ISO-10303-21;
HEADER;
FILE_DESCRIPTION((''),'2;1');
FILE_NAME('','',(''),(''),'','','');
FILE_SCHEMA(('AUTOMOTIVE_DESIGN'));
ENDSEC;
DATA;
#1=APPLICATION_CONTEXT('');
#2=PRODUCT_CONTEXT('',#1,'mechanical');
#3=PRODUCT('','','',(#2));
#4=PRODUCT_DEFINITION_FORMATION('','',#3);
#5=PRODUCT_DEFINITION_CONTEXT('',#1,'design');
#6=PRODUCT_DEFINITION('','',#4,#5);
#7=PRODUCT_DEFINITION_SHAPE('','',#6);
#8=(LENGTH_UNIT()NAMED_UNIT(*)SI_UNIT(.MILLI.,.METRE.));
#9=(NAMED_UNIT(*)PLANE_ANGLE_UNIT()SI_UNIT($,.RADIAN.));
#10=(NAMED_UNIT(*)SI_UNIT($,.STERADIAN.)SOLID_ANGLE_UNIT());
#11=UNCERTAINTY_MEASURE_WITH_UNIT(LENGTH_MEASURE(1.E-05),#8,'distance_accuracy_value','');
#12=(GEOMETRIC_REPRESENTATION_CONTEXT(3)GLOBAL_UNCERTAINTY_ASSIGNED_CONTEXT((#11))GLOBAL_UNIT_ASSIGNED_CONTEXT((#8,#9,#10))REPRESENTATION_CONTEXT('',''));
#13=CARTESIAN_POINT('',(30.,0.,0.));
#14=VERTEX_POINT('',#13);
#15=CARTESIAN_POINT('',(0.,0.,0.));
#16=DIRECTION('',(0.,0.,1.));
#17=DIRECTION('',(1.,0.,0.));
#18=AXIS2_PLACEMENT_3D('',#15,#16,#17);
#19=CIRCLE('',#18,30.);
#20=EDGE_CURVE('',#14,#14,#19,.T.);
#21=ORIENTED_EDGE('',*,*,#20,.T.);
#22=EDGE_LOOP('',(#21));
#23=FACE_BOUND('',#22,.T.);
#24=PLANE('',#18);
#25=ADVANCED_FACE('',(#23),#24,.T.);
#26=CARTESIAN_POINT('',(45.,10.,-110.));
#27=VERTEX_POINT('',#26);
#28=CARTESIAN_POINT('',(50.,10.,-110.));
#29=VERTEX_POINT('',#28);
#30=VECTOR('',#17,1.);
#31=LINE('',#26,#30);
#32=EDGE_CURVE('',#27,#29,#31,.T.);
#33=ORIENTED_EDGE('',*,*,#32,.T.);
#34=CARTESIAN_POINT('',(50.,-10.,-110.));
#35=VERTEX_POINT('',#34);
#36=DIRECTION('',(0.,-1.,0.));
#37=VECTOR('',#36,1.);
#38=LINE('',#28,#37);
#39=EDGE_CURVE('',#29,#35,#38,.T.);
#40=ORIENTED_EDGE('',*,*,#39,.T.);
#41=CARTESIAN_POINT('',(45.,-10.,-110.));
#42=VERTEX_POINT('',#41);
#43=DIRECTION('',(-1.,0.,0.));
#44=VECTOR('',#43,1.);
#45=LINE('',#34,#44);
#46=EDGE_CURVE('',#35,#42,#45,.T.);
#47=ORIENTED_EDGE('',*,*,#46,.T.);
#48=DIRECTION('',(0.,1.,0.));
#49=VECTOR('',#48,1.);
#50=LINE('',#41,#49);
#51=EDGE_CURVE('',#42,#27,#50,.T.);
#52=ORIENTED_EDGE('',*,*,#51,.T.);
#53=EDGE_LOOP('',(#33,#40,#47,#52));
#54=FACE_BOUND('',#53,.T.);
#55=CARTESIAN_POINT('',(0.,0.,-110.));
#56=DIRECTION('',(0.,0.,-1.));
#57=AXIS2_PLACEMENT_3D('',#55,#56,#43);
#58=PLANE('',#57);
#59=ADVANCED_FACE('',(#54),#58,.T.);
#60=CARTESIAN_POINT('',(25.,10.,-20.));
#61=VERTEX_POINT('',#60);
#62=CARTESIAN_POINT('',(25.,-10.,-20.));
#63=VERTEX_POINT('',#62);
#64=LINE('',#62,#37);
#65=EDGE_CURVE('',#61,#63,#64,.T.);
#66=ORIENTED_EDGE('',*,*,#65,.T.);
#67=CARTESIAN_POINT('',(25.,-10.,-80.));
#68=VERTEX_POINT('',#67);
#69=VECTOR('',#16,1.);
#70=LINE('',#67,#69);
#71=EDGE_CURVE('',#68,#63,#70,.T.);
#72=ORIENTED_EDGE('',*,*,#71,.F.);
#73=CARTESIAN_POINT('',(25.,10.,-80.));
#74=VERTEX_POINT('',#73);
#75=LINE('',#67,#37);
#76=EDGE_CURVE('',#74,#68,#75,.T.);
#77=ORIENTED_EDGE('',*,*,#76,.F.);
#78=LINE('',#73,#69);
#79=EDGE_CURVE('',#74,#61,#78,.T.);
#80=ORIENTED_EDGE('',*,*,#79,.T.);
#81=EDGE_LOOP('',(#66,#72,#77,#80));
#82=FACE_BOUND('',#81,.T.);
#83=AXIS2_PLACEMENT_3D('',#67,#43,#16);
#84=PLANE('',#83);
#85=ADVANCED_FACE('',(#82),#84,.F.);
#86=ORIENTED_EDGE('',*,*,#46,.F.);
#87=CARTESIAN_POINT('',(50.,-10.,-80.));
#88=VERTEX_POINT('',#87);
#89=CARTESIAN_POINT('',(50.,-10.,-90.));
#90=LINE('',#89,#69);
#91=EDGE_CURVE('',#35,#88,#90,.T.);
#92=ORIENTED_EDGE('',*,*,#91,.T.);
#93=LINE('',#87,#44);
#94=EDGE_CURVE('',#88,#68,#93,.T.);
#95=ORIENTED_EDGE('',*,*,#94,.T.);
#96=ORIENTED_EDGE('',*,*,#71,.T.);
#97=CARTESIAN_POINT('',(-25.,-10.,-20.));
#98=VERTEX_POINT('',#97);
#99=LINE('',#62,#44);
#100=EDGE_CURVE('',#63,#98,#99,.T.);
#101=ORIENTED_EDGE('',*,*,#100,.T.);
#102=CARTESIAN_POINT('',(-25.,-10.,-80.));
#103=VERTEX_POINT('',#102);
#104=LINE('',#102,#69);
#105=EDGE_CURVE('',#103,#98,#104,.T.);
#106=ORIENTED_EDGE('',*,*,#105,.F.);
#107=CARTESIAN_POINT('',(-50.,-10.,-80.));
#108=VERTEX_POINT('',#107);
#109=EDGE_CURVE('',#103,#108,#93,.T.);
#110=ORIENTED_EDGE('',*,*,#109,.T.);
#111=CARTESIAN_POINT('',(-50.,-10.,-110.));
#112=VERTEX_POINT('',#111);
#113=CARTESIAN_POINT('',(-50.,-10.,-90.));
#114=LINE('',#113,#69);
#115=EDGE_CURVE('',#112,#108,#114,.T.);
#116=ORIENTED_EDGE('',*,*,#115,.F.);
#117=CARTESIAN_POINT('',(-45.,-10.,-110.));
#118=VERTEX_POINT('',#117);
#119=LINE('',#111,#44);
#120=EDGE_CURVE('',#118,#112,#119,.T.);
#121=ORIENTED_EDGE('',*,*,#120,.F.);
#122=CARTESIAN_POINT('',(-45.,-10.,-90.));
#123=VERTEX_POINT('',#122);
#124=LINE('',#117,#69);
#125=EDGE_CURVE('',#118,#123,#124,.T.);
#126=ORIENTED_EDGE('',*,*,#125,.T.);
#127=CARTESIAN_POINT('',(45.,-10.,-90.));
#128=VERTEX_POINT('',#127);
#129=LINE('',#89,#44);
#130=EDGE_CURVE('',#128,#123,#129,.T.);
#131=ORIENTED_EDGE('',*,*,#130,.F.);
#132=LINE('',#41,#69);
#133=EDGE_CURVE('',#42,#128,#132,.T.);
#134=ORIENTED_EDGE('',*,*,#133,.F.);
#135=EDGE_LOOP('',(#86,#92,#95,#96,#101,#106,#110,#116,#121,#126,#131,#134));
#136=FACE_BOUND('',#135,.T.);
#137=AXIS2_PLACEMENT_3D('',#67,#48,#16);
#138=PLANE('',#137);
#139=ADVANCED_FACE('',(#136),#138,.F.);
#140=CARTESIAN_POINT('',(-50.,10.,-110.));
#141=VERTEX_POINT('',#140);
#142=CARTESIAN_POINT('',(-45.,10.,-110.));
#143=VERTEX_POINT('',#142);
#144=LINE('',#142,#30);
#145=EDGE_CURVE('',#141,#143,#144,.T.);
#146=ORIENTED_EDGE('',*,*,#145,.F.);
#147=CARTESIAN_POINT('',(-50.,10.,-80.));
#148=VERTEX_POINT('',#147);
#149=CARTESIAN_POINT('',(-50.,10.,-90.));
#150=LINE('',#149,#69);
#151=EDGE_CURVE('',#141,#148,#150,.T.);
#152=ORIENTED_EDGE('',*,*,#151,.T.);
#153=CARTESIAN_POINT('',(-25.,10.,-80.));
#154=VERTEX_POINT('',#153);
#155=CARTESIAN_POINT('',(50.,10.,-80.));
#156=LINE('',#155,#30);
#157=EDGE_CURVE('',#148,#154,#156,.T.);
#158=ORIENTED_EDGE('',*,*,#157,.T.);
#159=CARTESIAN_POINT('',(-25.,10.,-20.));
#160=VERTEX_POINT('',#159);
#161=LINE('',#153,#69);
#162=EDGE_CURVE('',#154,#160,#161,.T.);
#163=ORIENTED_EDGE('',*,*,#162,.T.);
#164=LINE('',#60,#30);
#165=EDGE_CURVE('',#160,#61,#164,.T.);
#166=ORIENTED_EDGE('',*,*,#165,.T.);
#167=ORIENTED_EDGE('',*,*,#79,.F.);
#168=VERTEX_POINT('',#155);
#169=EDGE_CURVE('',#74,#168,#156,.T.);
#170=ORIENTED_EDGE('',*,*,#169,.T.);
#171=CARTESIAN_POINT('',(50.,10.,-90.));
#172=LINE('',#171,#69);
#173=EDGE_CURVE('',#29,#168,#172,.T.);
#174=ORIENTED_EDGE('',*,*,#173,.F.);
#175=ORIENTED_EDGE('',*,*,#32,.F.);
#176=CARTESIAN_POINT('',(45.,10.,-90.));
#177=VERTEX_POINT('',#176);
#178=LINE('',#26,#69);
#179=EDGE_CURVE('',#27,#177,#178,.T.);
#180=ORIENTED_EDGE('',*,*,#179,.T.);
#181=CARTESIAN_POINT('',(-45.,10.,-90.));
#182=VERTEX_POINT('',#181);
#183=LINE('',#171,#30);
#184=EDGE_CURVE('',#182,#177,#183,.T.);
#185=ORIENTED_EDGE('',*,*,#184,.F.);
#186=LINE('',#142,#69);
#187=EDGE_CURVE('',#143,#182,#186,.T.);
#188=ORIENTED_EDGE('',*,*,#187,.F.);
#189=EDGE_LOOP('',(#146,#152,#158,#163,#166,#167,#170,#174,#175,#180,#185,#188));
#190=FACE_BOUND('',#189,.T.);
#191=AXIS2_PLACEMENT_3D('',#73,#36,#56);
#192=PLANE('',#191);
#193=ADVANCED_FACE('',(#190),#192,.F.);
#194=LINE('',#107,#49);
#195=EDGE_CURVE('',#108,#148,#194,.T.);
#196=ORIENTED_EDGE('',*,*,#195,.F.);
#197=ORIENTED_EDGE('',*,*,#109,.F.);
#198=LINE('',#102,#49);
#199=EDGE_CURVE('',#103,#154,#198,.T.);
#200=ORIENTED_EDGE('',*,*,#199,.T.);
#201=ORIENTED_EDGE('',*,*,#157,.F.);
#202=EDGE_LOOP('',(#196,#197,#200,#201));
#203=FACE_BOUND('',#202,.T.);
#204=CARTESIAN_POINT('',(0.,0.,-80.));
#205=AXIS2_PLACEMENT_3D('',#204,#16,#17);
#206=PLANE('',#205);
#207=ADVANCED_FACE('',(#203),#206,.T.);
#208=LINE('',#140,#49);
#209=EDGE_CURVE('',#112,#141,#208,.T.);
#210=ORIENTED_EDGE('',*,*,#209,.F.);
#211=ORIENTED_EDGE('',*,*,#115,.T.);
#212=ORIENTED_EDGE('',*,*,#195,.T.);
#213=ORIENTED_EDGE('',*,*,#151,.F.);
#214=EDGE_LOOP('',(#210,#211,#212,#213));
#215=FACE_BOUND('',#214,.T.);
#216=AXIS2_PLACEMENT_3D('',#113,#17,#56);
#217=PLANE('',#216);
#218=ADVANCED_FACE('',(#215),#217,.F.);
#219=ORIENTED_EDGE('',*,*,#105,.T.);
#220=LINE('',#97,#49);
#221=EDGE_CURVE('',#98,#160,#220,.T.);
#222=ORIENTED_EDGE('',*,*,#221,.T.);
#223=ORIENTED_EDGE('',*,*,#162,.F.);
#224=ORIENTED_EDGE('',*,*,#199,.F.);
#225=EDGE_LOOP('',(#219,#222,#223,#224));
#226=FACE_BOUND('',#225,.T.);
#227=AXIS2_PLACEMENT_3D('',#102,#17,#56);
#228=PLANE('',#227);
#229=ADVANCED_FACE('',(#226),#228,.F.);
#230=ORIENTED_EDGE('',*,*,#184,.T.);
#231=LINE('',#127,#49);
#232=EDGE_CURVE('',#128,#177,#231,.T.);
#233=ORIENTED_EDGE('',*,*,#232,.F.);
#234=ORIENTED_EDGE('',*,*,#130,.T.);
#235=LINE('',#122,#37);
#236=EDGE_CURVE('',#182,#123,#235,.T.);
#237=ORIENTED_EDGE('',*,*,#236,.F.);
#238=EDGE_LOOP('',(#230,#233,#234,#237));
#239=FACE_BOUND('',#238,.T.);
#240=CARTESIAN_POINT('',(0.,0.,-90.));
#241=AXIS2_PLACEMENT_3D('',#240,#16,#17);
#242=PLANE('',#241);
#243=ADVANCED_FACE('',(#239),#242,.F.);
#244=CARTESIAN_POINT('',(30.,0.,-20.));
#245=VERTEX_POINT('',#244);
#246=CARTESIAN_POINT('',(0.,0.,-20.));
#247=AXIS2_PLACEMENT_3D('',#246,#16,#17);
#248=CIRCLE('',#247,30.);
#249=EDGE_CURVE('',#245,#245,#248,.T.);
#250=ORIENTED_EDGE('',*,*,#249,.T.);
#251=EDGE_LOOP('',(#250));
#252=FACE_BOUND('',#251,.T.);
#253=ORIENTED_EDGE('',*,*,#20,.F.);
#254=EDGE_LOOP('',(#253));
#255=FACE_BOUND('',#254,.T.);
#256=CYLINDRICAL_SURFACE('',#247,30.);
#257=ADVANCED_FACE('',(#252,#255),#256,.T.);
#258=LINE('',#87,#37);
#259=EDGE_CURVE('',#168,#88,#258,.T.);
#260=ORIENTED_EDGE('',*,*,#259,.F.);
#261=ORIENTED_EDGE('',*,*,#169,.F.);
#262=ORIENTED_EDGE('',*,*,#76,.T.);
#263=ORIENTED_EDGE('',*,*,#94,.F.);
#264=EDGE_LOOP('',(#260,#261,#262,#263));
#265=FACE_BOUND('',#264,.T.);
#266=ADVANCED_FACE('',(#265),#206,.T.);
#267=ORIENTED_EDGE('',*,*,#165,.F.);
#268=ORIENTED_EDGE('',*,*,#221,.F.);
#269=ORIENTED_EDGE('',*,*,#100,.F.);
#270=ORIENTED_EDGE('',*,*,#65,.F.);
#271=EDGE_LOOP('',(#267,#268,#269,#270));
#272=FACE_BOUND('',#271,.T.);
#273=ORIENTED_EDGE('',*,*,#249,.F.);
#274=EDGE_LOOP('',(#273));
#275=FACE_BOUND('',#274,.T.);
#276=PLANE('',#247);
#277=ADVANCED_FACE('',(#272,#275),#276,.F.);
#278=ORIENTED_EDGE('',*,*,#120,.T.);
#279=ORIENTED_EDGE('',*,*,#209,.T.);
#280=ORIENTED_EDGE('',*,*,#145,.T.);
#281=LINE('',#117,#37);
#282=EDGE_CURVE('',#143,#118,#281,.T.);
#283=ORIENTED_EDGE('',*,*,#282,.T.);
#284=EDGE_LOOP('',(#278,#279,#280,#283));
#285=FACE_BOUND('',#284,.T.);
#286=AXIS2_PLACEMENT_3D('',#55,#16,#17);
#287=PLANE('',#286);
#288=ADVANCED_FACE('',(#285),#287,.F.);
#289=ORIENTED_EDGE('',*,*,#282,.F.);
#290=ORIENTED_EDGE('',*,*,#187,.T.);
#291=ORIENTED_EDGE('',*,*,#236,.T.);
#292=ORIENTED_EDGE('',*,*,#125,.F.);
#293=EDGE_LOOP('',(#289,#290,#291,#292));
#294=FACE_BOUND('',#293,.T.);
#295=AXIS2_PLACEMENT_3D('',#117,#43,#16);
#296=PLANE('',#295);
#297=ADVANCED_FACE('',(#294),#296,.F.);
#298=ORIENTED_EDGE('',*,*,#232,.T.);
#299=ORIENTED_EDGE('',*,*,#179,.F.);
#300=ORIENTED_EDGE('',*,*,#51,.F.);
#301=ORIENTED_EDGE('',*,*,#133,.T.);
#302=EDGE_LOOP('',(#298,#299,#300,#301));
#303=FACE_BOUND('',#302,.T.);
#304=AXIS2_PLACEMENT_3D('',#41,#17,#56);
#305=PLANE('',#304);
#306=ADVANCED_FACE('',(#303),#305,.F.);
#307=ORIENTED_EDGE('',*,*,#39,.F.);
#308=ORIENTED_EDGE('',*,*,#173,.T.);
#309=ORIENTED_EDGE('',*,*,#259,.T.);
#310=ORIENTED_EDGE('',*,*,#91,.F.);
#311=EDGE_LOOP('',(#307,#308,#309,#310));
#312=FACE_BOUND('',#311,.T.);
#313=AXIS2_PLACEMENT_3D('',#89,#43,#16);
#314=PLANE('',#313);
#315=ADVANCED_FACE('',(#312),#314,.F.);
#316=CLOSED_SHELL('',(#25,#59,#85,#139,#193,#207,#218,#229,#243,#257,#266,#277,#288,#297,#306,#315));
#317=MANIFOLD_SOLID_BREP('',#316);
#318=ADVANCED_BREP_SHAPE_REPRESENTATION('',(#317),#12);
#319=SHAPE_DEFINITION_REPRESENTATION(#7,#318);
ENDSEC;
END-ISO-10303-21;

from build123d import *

# Parameters (mm, degrees)
SKETCH1_R           = 30
BOSS_EXTRUDE1_DEPTH = 20
SKETCH3_W           = 50
SKETCH3_H           = 20
BOSS_EXTRUDE2_DEPTH = 60
SKETCH4_W           = 100
SKETCH4_H           = 20
BOSS_EXTRUDE3_DEPTH = 10
SKETCH5_W           = 5
SKETCH5_H           = 20
BOSS_EXTRUDE4_DEPTH = 20


with BuildPart() as part:
    # Sketch1 → Boss-Extrude1 (new body)
    with BuildSketch(Plane.XY):
        Circle(SKETCH1_R)
    extrude(amount=-BOSS_EXTRUDE1_DEPTH)

    # Sketch3 → Boss-Extrude2 (add)
    with BuildSketch(Plane(origin=(0, 0, -20), x_dir=(-1, 0, 0), z_dir=(0, 0, -1))):
        Rectangle(SKETCH3_W, SKETCH3_H)
    extrude(amount=BOSS_EXTRUDE2_DEPTH)

    # Sketch4 → Boss-Extrude3 (add)
    with BuildSketch(Plane(origin=(0, 0, -80), x_dir=(-1, 0, 0), z_dir=(0, 0, -1))):
        Rectangle(SKETCH4_W, SKETCH4_H)
    extrude(amount=BOSS_EXTRUDE3_DEPTH)

    # Sketch5 → Boss-Extrude4 (add)
    with BuildSketch(Plane(origin=(0, 0, -90), x_dir=(-1, 0, 0), z_dir=(0, 0, -1))):
        with Locations((-47.5, 0)):
            Rectangle(SKETCH5_W, SKETCH5_H)
        with Locations((47.5, 0)):
            Rectangle(SKETCH5_W, SKETCH5_H)
    extrude(amount=BOSS_EXTRUDE4_DEPTH)


solid = part.part
